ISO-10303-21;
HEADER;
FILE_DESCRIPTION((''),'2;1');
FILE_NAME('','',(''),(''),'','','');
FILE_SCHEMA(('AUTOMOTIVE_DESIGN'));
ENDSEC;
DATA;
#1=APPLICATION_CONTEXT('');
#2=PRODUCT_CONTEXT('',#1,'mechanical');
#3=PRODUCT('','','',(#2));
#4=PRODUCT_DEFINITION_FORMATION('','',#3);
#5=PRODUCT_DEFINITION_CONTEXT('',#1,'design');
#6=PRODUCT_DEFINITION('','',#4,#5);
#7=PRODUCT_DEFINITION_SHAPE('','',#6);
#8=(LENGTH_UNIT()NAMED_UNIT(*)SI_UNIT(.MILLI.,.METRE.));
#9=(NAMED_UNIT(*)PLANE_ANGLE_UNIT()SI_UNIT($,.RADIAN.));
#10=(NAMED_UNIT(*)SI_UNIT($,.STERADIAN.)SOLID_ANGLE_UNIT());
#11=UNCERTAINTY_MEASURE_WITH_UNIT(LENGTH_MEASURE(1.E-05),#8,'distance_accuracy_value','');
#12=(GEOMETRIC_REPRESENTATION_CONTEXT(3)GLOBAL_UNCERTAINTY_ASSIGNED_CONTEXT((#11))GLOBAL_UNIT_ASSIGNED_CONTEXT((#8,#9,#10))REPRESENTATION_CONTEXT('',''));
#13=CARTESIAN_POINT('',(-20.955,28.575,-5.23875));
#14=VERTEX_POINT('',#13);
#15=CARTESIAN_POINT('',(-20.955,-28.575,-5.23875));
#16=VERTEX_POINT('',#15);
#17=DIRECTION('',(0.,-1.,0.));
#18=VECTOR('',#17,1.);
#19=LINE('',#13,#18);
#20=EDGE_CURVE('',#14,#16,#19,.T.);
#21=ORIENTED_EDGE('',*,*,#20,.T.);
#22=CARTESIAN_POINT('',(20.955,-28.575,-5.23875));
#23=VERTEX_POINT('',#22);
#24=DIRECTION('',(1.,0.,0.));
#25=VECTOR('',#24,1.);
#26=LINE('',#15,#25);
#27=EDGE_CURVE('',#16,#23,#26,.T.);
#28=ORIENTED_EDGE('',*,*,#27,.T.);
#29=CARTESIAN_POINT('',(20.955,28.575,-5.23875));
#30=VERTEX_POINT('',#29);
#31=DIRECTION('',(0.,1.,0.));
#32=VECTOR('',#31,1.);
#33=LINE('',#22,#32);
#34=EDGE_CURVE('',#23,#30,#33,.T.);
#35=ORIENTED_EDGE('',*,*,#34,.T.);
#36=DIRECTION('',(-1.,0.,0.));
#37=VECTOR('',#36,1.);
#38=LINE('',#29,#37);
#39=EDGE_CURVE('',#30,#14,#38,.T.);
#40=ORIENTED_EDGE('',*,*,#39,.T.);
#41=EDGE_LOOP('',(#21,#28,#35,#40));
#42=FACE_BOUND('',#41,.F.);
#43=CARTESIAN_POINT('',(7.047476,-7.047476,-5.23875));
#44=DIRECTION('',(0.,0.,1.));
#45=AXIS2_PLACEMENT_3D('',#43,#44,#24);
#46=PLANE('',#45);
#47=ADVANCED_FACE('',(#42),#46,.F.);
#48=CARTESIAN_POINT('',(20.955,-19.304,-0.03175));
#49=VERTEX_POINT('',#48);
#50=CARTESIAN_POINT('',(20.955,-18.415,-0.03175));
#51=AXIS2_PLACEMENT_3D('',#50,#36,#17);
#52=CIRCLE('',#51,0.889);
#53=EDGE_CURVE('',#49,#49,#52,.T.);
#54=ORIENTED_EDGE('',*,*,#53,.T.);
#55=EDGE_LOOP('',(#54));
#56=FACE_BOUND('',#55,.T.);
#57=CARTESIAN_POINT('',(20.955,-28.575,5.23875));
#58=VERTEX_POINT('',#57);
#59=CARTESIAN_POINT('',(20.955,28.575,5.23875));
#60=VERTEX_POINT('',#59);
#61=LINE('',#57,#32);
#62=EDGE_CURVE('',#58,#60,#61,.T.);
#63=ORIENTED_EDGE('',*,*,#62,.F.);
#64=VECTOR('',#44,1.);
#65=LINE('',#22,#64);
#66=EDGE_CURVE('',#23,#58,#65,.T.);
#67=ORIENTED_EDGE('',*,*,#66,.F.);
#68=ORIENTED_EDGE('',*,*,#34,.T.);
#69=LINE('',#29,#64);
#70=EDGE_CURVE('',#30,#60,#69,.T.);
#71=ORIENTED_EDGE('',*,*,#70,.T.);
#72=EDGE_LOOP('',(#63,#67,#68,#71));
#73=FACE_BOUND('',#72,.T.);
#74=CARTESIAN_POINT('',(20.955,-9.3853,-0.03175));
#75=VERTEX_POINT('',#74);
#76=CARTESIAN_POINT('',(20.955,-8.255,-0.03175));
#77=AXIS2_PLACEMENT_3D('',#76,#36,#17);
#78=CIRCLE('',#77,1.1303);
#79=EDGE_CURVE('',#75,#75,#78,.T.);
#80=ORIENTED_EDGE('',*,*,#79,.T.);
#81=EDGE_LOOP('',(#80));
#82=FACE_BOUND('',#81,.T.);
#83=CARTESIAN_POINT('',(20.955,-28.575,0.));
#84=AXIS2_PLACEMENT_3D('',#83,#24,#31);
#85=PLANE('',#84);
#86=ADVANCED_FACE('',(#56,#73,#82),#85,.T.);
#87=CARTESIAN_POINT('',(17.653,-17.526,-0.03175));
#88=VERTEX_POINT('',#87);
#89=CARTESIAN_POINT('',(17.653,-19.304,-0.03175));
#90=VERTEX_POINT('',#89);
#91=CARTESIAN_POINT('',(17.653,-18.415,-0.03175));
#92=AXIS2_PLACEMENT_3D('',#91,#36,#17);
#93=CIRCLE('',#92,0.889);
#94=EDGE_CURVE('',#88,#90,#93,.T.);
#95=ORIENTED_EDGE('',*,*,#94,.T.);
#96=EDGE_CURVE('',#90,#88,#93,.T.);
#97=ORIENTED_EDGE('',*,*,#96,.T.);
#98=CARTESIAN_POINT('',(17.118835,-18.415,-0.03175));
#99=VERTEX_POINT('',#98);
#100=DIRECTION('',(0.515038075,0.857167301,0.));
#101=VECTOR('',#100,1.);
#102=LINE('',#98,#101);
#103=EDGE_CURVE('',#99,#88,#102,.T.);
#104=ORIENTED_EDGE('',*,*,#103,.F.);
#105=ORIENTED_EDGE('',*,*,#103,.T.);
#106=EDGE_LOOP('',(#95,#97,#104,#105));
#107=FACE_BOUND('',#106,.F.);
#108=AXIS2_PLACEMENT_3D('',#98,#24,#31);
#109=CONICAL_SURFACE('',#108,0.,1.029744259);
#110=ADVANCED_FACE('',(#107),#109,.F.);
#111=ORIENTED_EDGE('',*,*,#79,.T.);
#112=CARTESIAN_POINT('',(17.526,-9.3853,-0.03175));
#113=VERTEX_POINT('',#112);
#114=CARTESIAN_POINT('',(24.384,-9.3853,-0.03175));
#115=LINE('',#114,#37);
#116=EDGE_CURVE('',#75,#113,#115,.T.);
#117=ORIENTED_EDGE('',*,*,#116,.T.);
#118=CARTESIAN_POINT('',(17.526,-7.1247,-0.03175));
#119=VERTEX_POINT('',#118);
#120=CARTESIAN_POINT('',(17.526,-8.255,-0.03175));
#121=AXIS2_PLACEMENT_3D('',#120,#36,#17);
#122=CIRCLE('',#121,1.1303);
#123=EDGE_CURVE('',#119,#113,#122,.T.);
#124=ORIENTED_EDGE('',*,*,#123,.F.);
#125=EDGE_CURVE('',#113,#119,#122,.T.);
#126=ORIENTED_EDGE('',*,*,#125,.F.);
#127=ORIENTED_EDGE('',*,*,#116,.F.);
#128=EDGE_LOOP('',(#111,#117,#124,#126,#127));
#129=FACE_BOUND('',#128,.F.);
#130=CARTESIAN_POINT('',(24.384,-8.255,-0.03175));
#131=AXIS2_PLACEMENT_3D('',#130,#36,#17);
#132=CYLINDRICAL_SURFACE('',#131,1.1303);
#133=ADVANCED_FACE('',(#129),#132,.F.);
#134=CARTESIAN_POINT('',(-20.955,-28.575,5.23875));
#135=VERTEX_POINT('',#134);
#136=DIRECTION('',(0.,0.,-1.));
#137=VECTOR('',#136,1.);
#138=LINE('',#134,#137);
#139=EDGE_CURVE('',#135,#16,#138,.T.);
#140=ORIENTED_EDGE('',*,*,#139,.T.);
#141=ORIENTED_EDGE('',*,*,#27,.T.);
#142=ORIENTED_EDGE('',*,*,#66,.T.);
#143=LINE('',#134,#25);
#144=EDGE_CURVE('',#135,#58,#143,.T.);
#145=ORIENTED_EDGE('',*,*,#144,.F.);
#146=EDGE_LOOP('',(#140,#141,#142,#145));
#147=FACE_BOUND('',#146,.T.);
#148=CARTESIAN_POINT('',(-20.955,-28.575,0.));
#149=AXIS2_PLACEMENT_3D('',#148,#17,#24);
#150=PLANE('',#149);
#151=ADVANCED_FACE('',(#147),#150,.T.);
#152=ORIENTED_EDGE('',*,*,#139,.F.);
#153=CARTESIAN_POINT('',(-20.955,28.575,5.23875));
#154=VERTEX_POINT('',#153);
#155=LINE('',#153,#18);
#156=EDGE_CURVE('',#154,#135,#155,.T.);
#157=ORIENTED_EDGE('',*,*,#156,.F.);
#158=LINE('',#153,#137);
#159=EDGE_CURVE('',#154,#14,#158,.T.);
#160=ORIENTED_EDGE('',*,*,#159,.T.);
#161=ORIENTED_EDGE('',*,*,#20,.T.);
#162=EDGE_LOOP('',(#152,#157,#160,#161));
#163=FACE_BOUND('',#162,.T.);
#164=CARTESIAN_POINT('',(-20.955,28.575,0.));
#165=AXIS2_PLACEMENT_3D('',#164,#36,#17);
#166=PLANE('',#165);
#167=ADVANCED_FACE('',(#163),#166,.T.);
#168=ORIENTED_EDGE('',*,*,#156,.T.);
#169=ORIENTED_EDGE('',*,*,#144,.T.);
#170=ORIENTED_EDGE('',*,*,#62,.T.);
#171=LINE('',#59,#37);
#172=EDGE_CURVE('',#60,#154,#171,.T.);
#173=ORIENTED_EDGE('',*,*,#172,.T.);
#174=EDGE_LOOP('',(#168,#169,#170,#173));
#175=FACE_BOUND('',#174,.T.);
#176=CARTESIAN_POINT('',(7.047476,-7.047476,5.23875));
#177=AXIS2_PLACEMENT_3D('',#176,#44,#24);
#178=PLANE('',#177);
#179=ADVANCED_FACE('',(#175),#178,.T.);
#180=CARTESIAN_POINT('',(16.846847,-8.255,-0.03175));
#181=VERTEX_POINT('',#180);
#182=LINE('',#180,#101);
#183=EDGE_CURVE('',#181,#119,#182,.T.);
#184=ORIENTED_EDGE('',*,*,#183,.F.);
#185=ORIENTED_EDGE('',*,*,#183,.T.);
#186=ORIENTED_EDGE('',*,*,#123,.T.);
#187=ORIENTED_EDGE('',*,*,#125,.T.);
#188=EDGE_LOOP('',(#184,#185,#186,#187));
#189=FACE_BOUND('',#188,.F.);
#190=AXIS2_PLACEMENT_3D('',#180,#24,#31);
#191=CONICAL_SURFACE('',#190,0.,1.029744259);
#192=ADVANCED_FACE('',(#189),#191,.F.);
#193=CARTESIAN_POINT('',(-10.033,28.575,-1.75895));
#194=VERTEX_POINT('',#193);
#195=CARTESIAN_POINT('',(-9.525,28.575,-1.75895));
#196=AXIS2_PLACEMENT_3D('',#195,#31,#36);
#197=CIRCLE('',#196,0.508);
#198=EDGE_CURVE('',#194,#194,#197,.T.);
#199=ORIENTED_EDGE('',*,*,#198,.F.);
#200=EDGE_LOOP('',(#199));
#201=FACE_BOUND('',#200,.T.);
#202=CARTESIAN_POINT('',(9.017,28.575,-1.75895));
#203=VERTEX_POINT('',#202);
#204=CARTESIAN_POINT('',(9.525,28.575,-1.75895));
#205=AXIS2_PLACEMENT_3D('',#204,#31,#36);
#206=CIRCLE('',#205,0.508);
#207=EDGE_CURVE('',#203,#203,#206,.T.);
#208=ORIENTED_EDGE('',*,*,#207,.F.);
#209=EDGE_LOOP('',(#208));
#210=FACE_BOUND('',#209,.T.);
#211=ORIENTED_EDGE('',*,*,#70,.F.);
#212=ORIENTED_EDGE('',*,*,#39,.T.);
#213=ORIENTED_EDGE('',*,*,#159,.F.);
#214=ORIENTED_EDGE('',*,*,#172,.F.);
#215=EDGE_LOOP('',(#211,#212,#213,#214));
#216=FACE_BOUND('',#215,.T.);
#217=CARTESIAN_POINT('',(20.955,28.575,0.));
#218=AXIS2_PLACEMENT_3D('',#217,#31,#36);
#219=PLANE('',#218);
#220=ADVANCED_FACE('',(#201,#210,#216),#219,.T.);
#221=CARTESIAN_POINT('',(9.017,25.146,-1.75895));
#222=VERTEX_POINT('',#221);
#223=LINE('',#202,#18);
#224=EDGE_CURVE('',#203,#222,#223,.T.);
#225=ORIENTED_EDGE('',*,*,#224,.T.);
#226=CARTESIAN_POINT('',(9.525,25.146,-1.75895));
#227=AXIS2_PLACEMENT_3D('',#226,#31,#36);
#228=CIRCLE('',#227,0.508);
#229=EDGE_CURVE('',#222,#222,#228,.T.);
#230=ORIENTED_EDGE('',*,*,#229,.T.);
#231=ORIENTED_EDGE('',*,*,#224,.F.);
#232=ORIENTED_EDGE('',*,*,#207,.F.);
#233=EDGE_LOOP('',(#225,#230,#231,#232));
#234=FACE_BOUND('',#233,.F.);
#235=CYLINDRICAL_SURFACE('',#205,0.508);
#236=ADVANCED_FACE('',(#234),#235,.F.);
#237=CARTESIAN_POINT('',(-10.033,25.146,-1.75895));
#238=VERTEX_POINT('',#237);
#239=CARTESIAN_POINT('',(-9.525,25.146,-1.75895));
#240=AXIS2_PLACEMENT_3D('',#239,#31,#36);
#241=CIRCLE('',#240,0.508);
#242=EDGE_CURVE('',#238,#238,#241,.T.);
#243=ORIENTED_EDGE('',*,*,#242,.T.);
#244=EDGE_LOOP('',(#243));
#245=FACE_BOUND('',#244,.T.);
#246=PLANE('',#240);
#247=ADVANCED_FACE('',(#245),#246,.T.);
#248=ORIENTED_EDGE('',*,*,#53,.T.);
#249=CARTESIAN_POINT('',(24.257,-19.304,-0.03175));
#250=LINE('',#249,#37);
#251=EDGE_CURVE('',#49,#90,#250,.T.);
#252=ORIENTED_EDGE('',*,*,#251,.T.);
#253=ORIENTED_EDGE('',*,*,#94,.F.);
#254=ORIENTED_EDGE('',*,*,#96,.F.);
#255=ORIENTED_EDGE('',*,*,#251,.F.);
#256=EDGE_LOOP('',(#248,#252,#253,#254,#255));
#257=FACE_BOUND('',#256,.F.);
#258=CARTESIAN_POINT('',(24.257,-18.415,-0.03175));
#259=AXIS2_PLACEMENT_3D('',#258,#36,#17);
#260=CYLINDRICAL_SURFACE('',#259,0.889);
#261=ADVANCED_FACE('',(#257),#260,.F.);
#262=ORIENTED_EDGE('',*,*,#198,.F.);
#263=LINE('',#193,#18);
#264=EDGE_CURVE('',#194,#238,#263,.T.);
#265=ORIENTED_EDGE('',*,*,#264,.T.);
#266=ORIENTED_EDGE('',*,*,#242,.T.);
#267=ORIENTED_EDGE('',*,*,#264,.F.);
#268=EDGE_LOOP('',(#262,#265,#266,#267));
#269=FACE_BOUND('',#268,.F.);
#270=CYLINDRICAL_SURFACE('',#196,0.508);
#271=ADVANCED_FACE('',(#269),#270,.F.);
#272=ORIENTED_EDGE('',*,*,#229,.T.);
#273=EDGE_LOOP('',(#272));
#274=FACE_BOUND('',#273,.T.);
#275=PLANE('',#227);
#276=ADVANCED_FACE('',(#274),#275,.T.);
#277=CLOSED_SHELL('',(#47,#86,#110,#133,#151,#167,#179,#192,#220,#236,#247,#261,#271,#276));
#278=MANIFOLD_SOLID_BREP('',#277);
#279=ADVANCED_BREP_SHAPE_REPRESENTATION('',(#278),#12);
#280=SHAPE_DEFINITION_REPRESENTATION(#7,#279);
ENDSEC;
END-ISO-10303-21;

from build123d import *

# Parameters (mm, degrees)
F1_DEPTH = 5.23875
F2_R     = 0.508
F3_DEPTH = 3.429
F5_D     = 1.778
F5_DEPTH = 3.302
F5_TIP   = 0.5341650903
F7_D     = 2.2606
F7_DEPTH = 3.429
F7_TIP   = 0.6791527577


with BuildPart() as f1:
    # F0 (on Top) → F1 (new body, symmetric)
    with BuildSketch(Plane.XY):
        Polygon((20.955, 28.575), (-20.955, -28.575), (20.955, -28.575), align=None)
        Polygon((-20.955, 28.575), (-20.955, -28.575), (20.955, 28.575), align=None)
    extrude(amount=F1_DEPTH, both=True)

    # F2 (on face) → F3 (cut)
    with BuildSketch(Plane(origin=(0, 28.575, 0), x_dir=(-1, 0, 0), z_dir=(0, 1, 0))):
        with Locations((-9.525, -1.75895)):
            Circle(F2_R)
        with Locations((9.525, -1.75895)):
            Circle(F2_R)
    extrude(amount=-F3_DEPTH, mode=Mode.SUBTRACT)

    # F5
    with Locations(Plane.YZ.offset(20.955)):
        with Locations((-18.415, -0.03175)):
            Hole(F5_D / 2, depth=F5_DEPTH)
            with Locations((0, 0, -(F5_DEPTH + F5_TIP / 2))):  # 118° drill point
                Cone(0, F5_D / 2, F5_TIP, mode=Mode.SUBTRACT)

    # F7
    with Locations(Plane.YZ.offset(20.955)):
        with Locations((-8.255, -0.03175)):
            Hole(F7_D / 2, depth=F7_DEPTH)
            with Locations((0, 0, -(F7_DEPTH + F7_TIP / 2))):  # 118° drill point
                Cone(0, F7_D / 2, F7_TIP, mode=Mode.SUBTRACT)


solid = f1.part
